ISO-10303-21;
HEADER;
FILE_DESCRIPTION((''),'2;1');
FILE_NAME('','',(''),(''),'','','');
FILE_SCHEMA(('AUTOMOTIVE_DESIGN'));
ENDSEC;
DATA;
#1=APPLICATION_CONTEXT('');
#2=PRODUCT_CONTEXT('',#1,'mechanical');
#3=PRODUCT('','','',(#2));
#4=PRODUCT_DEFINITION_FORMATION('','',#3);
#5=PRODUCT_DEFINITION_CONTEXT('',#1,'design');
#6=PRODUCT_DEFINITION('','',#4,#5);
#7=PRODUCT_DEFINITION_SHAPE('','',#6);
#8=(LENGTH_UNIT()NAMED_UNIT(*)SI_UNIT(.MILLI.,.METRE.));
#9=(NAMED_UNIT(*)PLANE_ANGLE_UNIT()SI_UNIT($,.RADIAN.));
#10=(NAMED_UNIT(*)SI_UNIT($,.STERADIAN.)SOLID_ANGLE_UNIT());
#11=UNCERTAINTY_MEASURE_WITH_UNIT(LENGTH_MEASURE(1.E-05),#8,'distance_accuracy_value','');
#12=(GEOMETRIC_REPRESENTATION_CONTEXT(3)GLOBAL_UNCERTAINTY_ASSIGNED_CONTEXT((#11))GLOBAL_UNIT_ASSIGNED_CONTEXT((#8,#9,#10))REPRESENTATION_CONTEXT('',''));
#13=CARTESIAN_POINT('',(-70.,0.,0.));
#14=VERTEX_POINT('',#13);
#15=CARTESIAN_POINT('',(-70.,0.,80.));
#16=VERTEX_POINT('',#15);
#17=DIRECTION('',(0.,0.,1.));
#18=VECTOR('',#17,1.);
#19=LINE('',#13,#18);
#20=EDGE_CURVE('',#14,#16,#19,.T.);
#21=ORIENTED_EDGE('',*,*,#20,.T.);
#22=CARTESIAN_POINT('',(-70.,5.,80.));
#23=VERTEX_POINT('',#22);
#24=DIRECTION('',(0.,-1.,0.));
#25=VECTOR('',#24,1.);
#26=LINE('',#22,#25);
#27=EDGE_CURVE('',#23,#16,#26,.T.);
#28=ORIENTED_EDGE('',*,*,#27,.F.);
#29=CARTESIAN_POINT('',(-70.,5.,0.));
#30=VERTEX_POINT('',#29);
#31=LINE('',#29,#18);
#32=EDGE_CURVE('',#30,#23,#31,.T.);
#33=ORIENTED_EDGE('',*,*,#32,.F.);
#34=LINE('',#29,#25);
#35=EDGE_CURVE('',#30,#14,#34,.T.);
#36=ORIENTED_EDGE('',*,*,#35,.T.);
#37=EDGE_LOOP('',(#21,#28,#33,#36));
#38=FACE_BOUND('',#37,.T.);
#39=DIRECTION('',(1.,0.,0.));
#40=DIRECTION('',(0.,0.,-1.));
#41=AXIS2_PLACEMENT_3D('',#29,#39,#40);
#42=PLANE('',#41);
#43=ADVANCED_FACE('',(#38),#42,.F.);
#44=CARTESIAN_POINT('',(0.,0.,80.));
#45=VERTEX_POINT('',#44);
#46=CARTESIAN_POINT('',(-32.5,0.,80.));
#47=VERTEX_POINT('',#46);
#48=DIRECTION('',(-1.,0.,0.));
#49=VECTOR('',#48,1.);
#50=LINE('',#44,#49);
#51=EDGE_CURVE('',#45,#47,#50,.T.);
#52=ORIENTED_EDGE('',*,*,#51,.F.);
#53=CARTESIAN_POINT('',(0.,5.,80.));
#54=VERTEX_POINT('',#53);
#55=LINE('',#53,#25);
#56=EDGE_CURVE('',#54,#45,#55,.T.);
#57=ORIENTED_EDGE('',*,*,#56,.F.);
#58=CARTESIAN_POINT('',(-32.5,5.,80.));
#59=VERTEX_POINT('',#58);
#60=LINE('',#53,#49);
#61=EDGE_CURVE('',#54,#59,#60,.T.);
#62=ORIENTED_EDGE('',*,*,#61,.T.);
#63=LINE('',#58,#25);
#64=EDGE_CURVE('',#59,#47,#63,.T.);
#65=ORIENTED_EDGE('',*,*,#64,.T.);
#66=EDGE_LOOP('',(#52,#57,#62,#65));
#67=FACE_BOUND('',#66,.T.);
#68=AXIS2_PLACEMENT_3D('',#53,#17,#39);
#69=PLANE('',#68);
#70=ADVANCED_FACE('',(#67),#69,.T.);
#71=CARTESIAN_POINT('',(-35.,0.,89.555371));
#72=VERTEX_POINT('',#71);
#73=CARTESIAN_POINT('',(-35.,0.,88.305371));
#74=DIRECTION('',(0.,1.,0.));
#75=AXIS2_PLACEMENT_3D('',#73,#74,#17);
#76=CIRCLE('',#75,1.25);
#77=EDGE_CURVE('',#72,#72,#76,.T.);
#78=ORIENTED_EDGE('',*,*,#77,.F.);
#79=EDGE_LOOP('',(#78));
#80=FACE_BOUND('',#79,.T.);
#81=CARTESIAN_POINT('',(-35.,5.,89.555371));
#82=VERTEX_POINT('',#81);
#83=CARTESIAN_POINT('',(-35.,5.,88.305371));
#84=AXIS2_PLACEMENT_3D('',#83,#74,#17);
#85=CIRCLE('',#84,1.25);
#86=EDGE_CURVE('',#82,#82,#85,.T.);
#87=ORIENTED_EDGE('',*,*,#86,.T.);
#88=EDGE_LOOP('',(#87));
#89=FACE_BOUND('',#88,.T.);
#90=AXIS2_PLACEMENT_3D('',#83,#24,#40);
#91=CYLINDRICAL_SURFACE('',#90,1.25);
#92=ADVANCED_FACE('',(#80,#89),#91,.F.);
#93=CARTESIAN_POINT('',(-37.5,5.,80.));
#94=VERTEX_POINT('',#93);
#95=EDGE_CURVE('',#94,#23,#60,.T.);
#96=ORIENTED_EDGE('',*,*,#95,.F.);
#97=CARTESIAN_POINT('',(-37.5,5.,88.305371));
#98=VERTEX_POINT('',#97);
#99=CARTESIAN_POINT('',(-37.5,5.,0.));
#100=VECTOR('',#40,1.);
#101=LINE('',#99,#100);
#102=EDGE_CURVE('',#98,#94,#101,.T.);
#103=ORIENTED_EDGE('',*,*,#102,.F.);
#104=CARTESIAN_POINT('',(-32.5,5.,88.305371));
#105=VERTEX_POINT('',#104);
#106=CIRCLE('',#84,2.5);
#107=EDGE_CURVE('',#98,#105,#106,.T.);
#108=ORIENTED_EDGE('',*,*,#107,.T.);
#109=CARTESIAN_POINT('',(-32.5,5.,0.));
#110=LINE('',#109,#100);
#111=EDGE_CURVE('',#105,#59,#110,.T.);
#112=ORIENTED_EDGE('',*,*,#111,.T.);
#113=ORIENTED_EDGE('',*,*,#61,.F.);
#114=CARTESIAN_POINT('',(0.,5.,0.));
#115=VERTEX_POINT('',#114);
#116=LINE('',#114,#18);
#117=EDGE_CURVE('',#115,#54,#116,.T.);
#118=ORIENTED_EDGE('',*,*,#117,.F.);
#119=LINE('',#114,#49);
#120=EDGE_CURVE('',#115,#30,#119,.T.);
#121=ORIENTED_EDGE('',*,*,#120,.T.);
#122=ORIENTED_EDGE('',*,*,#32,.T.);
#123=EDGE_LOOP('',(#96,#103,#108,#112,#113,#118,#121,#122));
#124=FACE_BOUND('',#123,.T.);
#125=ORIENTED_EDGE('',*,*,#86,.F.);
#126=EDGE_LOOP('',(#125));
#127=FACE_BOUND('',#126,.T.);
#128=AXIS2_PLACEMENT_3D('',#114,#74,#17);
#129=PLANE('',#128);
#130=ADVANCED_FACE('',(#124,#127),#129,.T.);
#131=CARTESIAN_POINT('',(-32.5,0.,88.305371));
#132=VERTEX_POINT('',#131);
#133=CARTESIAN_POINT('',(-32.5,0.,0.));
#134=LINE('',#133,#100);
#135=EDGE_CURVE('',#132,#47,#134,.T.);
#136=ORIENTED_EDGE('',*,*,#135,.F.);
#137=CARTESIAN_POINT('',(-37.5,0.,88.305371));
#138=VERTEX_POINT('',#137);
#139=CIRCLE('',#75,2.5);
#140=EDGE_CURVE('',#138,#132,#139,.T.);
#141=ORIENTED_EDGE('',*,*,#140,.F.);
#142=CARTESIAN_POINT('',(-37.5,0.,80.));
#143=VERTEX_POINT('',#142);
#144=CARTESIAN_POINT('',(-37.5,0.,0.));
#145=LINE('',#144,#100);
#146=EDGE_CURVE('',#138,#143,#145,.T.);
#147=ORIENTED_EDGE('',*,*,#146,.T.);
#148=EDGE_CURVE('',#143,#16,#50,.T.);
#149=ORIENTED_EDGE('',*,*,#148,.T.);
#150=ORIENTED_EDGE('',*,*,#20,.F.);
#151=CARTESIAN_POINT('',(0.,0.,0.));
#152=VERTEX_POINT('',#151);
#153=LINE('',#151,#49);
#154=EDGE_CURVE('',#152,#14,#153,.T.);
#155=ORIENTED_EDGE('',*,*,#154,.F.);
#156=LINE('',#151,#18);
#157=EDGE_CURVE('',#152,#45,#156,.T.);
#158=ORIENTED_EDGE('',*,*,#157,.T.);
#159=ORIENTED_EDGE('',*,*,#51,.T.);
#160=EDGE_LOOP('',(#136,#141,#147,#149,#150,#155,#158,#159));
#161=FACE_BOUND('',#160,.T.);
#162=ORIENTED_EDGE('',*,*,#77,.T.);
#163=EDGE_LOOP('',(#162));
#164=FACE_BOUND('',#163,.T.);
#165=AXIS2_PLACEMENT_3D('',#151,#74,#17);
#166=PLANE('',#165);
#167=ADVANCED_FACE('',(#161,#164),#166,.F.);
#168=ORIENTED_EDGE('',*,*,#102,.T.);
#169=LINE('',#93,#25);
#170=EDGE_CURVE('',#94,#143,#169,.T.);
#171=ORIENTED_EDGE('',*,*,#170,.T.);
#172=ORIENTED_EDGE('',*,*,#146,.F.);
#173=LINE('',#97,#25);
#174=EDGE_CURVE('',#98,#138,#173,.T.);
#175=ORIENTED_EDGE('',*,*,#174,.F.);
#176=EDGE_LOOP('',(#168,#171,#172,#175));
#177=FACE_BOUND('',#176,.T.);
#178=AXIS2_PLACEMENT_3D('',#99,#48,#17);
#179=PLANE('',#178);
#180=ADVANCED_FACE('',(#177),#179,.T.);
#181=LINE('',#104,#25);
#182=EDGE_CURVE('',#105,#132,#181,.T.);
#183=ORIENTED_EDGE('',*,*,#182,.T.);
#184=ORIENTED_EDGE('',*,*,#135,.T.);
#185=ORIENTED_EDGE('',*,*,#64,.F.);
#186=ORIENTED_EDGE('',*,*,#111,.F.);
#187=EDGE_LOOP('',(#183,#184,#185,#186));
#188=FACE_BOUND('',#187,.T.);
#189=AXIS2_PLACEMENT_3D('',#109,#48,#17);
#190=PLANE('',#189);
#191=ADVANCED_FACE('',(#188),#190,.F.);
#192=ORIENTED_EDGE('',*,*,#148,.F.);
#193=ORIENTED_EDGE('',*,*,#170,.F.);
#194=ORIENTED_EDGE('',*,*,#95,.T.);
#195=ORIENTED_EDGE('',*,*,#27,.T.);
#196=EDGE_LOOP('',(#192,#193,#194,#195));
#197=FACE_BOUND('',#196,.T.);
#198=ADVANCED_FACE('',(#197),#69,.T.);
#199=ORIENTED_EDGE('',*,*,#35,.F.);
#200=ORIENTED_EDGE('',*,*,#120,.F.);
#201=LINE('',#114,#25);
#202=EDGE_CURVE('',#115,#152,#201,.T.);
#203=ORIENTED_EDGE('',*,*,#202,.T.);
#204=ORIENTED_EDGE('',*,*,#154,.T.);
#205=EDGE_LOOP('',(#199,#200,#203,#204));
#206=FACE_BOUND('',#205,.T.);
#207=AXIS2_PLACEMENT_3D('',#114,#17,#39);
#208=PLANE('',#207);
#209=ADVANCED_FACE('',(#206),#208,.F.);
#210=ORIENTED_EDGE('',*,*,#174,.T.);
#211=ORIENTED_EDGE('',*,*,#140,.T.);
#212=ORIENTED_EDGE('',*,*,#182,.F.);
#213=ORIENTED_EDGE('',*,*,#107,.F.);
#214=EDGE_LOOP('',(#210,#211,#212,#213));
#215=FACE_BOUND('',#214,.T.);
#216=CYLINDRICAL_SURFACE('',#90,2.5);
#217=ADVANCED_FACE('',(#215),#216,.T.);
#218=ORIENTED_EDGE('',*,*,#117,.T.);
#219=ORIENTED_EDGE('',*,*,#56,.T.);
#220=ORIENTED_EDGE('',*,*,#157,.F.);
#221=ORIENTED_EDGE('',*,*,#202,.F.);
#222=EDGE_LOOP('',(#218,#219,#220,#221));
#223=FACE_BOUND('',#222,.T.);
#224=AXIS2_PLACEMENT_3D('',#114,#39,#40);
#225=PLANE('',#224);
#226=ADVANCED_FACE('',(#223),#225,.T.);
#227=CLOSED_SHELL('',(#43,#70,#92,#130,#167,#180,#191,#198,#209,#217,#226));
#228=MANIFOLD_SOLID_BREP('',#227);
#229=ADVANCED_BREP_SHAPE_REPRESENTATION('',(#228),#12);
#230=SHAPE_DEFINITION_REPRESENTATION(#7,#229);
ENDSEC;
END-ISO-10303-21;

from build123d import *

# Parameters (mm, degrees)
SKETCH1_R           = 1.25
BOSS_EXTRUDE1_DEPTH = 5


with BuildPart() as part:
    # Sketch1 → Boss-Extrude1 (new body)
    with BuildSketch(Plane(origin=(0, 0, 0), x_dir=(1, 0, 0), z_dir=(0, 1, 0))):
        with BuildLine():
            Line((0, -80), (0, 0))
            Line((0, 0), (-70, 0))
            Line((-70, 0), (-70, -80))
            Line((-70, -80), (-37.5, -80))
            Line((-37.5, -80), (-37.5, -88.305370533))
            ThreePointArc((-37.5, -88.305370533), (-35, -90.805370533), (-32.5, -88.305370533))
            Line((-32.5, -88.305370533), (-32.5, -80))
            Line((-32.5, -80), (0, -80))
        make_face()
        with Locations((-35, -88.305370533)):
            Circle(SKETCH1_R, mode=Mode.SUBTRACT)
    extrude(amount=BOSS_EXTRUDE1_DEPTH)


solid = part.part
